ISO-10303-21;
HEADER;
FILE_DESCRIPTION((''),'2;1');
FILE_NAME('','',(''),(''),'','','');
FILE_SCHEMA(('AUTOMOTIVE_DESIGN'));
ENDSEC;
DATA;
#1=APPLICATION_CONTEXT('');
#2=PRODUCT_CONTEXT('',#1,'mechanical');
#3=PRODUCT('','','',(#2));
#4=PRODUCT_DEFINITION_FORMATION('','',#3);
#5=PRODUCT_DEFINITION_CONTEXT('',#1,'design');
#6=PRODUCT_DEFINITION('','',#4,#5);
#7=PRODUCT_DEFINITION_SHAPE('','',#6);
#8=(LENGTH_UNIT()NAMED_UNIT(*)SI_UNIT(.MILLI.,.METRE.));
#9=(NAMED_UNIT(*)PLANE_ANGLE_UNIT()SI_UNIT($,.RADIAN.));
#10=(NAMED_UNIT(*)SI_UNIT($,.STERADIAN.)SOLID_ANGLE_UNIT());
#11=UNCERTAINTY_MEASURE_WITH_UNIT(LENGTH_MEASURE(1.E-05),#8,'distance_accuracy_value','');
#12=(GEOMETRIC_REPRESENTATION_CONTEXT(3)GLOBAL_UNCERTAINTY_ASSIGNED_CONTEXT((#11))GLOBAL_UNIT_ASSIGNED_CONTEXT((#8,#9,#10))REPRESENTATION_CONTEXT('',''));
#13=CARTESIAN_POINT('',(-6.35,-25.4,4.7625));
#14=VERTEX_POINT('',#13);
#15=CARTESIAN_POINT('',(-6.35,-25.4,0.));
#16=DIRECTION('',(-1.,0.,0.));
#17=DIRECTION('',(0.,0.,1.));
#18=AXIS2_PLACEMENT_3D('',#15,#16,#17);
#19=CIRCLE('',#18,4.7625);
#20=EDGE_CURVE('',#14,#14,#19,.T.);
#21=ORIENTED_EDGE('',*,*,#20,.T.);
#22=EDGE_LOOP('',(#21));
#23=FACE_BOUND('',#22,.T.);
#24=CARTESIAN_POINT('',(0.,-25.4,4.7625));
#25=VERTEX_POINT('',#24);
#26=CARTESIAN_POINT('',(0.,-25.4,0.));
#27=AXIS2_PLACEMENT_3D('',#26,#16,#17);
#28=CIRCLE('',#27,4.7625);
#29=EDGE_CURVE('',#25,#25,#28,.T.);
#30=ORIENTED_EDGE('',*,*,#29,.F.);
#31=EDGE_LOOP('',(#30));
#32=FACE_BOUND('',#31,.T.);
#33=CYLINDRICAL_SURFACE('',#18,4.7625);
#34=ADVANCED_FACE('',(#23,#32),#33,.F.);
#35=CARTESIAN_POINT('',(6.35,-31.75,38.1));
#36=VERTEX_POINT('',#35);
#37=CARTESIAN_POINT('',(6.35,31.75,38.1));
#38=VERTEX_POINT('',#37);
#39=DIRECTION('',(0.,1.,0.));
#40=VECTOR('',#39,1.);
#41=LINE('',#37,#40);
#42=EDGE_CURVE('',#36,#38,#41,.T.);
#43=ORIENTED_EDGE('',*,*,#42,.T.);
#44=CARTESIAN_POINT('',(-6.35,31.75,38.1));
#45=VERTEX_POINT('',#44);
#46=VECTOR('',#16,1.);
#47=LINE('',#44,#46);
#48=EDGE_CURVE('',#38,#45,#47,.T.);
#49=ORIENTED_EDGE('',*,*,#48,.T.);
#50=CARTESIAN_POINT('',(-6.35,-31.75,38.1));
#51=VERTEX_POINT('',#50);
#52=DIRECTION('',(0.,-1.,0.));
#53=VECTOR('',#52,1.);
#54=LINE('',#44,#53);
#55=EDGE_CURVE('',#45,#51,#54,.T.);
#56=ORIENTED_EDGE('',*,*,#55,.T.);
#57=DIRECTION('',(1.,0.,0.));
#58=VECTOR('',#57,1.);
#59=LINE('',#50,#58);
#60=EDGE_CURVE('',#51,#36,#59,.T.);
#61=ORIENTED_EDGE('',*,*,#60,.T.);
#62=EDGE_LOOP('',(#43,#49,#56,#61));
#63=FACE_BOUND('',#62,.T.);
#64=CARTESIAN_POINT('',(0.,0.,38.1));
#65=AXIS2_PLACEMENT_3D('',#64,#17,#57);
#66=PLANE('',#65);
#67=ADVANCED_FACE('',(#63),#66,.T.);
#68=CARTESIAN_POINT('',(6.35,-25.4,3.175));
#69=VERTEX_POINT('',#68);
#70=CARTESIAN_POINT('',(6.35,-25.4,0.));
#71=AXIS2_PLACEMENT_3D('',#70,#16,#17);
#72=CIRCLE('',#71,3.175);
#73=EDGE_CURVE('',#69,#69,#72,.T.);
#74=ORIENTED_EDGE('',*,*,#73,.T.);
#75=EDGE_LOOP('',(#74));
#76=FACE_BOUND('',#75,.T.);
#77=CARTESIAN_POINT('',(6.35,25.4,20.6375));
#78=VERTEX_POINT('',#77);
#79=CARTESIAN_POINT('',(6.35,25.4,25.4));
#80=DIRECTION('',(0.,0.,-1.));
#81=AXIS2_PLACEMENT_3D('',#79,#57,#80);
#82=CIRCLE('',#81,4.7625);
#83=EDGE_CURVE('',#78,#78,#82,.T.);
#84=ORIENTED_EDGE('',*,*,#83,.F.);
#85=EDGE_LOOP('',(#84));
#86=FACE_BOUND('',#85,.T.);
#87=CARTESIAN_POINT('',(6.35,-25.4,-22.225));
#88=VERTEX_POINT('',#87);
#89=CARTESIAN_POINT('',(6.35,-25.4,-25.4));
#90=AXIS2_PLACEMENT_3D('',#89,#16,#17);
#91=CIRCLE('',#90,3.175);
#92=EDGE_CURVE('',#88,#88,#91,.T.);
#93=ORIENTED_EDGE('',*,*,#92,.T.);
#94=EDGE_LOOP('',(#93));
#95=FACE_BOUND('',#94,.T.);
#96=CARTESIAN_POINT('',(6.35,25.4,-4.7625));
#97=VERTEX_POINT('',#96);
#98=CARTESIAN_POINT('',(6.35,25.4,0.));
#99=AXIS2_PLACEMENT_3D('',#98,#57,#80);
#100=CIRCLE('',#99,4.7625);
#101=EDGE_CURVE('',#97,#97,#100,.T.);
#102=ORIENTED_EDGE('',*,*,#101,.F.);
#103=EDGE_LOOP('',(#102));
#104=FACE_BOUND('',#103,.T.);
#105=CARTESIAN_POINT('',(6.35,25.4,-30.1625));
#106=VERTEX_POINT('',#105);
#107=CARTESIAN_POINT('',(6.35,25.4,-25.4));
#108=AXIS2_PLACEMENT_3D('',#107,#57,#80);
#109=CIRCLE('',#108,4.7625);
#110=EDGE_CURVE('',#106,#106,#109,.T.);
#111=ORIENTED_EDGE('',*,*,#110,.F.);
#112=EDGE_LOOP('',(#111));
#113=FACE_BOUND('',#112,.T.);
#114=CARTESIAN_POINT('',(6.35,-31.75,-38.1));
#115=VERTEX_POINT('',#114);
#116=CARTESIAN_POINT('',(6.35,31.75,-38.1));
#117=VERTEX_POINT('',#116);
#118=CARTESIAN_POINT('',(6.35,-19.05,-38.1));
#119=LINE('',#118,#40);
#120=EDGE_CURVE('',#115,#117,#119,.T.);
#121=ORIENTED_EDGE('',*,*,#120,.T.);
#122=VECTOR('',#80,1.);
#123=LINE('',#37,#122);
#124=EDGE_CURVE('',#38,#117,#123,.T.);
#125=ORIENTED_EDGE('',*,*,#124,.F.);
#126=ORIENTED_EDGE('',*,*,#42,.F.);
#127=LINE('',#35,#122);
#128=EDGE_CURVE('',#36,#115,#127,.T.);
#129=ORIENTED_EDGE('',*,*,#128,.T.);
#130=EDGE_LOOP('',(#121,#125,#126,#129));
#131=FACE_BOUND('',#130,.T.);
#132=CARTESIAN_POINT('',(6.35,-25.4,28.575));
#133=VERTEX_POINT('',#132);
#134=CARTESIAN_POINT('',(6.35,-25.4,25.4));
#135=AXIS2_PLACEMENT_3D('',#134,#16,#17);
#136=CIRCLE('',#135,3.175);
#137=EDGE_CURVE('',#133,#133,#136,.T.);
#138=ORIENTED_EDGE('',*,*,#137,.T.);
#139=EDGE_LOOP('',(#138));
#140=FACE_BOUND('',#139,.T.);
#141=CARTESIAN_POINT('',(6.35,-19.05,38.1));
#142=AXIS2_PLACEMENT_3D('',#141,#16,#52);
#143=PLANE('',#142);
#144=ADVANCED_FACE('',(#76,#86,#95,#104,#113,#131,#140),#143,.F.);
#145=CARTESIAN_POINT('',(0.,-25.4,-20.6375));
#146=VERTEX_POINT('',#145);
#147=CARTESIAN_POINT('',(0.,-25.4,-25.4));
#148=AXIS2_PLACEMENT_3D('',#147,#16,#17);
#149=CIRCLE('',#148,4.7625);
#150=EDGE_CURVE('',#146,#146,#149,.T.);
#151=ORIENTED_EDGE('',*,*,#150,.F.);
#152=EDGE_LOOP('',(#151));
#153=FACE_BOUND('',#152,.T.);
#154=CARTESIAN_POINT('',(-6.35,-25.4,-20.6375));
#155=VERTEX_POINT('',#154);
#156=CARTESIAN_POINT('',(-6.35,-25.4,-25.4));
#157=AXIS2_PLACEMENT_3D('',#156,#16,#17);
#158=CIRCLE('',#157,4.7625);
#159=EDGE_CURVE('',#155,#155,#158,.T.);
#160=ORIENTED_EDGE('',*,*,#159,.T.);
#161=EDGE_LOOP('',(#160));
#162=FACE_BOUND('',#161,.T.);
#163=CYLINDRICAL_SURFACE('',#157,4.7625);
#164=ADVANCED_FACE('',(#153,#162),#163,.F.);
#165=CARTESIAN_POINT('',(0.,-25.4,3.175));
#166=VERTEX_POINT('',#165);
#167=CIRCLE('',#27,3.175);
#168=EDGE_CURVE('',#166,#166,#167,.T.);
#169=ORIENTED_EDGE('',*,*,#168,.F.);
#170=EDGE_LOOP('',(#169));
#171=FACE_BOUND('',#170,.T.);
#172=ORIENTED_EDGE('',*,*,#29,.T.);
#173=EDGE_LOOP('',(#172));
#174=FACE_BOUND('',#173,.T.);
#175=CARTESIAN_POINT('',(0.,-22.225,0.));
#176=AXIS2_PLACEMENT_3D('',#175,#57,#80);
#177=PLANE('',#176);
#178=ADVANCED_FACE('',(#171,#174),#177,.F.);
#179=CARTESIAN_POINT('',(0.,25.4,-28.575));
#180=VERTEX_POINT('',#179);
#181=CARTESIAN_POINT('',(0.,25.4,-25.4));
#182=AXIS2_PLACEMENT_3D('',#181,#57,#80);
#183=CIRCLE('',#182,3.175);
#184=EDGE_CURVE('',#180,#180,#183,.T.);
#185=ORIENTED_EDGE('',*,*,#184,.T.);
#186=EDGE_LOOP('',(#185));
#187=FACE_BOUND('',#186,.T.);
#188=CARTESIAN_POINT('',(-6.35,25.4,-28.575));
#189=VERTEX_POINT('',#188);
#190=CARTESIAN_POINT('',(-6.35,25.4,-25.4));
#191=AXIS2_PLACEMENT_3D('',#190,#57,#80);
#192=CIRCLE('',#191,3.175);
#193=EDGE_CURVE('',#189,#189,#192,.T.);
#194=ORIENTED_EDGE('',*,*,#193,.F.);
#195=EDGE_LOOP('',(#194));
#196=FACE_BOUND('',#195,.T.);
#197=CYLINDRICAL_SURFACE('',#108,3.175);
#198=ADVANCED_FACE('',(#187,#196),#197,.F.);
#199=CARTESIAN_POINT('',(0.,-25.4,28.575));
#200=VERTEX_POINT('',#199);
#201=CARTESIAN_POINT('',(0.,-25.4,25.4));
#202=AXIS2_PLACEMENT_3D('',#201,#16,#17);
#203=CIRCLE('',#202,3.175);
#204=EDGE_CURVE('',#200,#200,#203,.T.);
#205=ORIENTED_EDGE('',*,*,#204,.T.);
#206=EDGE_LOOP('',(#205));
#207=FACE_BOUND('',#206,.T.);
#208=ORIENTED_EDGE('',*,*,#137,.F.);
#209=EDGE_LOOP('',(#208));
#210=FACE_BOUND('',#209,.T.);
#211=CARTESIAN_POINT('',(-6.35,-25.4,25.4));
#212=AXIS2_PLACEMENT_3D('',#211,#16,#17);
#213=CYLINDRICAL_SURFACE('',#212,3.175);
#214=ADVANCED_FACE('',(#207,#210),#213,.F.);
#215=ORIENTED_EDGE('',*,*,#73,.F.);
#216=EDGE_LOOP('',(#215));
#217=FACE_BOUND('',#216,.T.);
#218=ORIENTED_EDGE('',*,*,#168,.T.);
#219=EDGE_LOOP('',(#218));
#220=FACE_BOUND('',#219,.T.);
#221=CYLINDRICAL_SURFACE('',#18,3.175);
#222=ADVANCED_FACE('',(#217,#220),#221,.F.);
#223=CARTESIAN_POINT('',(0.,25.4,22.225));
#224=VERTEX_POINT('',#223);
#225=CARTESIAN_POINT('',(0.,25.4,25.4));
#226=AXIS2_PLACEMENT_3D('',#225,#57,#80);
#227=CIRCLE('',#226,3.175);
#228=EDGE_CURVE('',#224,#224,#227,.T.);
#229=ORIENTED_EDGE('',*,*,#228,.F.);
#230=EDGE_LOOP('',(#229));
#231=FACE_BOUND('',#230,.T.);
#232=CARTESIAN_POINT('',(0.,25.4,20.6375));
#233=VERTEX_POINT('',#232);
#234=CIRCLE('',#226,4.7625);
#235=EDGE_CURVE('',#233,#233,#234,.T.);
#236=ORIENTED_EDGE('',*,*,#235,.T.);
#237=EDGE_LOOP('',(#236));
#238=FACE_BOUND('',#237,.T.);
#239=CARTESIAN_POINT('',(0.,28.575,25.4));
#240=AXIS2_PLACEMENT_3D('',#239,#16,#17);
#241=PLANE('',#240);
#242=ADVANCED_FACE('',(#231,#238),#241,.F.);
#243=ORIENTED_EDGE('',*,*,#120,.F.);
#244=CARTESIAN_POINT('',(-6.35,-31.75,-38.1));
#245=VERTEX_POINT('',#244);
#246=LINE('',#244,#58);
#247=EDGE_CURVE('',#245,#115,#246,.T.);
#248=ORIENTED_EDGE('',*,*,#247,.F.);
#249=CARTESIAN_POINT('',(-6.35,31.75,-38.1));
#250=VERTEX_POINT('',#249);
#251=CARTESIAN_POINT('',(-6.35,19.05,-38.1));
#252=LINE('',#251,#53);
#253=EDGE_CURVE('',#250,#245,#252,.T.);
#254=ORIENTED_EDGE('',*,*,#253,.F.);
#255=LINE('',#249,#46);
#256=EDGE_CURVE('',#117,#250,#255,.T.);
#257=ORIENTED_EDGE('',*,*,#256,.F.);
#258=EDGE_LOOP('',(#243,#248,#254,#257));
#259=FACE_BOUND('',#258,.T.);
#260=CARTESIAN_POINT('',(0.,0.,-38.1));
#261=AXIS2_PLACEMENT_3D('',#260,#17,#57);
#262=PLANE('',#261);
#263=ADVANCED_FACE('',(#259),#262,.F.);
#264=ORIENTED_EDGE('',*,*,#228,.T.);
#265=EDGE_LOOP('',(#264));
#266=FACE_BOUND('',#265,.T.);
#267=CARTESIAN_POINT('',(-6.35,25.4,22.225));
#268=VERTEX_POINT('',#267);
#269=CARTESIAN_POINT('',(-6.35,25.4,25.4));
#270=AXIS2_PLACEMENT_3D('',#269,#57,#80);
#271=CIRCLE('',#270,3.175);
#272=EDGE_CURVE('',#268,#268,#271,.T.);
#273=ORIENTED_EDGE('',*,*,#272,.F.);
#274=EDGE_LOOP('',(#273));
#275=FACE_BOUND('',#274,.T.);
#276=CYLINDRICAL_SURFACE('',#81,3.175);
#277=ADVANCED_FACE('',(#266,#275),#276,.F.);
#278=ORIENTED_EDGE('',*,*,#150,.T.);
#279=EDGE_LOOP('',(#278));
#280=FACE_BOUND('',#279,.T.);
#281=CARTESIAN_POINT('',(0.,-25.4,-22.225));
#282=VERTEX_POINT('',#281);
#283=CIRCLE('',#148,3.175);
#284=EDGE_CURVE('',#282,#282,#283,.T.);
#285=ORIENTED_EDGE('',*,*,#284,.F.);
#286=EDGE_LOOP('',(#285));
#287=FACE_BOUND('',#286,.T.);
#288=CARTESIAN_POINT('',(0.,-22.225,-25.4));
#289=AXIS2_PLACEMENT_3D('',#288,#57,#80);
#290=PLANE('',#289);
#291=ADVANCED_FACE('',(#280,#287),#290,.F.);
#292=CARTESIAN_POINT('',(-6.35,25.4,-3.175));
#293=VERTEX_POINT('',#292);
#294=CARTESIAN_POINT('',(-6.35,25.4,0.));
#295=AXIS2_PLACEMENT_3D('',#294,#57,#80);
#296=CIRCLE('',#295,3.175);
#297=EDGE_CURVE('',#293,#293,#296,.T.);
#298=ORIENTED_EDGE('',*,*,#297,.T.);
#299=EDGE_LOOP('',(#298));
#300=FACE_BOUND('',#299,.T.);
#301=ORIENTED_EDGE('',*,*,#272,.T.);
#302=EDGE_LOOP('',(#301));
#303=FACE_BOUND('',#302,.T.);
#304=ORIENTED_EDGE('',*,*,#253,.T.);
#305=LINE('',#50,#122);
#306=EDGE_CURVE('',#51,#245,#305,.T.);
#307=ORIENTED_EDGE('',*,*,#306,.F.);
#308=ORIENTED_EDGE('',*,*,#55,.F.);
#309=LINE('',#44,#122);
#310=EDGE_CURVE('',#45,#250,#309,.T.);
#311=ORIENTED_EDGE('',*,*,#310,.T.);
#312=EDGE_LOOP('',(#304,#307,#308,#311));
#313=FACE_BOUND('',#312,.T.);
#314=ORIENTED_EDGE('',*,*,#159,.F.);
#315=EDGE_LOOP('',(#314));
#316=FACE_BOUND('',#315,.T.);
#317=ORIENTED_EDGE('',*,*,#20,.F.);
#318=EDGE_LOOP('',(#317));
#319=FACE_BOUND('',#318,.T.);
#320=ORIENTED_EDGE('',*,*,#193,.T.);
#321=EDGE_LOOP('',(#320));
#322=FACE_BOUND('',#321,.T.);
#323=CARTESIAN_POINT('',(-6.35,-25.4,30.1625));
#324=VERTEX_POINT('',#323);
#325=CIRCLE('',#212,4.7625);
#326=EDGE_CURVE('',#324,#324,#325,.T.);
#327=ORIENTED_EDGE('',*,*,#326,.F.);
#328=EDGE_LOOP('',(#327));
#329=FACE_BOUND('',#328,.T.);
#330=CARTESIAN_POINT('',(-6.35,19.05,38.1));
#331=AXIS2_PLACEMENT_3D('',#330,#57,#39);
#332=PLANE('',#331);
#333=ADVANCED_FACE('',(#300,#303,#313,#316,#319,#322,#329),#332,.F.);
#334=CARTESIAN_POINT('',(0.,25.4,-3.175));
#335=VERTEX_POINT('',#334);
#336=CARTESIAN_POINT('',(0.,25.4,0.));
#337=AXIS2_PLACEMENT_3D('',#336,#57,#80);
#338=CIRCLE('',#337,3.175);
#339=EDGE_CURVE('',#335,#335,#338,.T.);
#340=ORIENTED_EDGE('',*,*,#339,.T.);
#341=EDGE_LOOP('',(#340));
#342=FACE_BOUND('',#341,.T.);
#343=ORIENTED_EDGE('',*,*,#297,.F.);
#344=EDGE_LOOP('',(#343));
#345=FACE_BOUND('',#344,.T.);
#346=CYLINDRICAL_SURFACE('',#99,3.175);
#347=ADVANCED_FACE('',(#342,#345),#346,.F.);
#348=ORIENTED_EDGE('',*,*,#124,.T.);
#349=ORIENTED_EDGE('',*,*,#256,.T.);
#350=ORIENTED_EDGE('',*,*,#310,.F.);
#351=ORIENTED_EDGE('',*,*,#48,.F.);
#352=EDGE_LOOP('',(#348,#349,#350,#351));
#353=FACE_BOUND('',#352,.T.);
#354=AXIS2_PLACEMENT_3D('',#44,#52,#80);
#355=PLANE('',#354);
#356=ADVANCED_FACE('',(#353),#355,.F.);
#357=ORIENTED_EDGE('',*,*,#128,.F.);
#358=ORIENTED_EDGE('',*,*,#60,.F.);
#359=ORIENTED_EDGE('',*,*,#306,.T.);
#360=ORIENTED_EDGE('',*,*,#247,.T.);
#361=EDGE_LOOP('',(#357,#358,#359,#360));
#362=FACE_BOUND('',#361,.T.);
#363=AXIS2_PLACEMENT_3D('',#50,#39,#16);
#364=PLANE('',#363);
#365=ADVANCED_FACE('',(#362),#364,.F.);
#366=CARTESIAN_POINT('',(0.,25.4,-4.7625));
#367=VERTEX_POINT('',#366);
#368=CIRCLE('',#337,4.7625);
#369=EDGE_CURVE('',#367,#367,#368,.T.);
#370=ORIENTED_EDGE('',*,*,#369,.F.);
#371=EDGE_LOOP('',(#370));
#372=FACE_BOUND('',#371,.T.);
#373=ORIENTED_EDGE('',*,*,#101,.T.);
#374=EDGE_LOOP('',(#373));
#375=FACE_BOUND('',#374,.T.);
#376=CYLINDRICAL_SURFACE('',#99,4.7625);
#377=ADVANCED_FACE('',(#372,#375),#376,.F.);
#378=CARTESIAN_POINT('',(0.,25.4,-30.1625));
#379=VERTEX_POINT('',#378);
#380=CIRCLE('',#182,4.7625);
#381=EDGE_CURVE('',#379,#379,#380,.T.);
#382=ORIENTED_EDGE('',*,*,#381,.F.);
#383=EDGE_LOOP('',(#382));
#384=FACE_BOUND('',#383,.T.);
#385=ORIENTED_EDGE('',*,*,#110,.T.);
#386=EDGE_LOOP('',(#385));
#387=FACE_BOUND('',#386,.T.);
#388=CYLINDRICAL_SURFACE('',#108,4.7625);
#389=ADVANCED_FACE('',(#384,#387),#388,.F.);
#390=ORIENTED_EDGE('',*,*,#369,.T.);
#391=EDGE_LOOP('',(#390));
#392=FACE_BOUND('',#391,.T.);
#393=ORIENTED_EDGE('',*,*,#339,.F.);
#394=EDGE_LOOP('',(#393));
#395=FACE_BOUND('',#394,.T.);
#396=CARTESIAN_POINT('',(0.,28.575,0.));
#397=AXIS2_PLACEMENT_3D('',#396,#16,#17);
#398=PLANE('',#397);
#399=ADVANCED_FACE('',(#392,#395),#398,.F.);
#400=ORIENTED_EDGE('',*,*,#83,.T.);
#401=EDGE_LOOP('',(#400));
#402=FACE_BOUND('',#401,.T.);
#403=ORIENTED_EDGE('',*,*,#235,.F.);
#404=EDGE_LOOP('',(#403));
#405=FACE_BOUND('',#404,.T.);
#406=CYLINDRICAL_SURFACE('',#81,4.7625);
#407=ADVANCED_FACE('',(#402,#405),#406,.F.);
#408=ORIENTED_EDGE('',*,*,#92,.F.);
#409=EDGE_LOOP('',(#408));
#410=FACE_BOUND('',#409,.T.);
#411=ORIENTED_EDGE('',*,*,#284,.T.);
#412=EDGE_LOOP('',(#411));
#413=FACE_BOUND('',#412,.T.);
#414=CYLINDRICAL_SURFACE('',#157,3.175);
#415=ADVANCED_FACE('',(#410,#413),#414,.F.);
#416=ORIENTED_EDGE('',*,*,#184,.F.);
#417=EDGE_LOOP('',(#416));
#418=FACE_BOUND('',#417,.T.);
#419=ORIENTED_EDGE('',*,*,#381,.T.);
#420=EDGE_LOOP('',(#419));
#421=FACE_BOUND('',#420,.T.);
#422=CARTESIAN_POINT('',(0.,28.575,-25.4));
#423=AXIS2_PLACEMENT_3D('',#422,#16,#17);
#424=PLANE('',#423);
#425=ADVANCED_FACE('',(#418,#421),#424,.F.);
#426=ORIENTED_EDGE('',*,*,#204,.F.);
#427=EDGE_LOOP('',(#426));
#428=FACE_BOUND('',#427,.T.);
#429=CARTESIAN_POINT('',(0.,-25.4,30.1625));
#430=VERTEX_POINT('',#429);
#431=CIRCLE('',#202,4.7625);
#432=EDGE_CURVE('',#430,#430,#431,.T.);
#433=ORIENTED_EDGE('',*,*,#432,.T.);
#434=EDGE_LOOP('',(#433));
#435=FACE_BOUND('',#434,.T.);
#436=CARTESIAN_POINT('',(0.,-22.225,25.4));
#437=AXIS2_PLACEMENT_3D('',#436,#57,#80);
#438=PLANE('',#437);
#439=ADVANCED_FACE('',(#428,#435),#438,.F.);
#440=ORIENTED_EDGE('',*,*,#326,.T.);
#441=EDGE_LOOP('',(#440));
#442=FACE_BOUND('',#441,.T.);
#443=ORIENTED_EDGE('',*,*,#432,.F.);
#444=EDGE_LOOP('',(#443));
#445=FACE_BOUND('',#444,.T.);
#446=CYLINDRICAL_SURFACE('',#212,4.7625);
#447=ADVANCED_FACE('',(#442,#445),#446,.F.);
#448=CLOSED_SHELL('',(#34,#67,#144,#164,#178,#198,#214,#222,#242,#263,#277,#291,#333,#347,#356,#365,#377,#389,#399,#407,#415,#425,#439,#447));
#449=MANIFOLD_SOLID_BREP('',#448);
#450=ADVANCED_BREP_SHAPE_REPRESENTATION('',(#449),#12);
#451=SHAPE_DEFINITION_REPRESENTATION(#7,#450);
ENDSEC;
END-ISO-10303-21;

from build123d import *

# Parameters (mm, degrees)
BOSS_EXTRUDE1_DEPTH                           = 38.1
F_1_4_20_THREADED_C_BORE_D                    = 6.35
F_1_4_20_THREADED_C_BORE_CBORE_D              = 9.525
F_1_4_20_THREADED_C_BORE_CBORE_DEPTH          = 6.35
F_1_4_20_THREADED_C_BORE_OPPOSITE_D           = 6.35
F_1_4_20_THREADED_C_BORE_OPPOSITE_CBORE_D     = 9.525
F_1_4_20_THREADED_C_BORE_OPPOSITE_CBORE_DEPTH = 6.35


with BuildPart() as part:
    # Sketch2 → Boss-Extrude1 (new, symmetric)
    with BuildSketch(Plane.XY):
        Polygon((-6.35, 31.75), (6.35, 31.75), (6.35, -19.05), (6.35, -31.75), (-6.35, -31.75), (-6.35, 19.05), align=None)
    extrude(amount=BOSS_EXTRUDE1_DEPTH, both=True)

    # 1/4"-20 threaded c-bore (through all)
    with Locations(Plane.ZY.offset(6.35)):
        with Locations((-25.4, -25.4), (0, -25.4), (25.4, -25.4)):
            CounterBoreHole(F_1_4_20_THREADED_C_BORE_D / 2, F_1_4_20_THREADED_C_BORE_CBORE_D / 2, F_1_4_20_THREADED_C_BORE_CBORE_DEPTH)

    # 1/4"-20 threaded c-bore opposite (through all)
    with Locations(Plane(origin=(6.35, 0, 0), x_dir=(0, 0, -1), z_dir=(1, 0, 0))):
        with Locations((-25.4, 25.4), (0, 25.4), (25.4, 25.4)):
            CounterBoreHole(F_1_4_20_THREADED_C_BORE_OPPOSITE_D / 2, F_1_4_20_THREADED_C_BORE_OPPOSITE_CBORE_D / 2, F_1_4_20_THREADED_C_BORE_OPPOSITE_CBORE_DEPTH)


solid = part.part
